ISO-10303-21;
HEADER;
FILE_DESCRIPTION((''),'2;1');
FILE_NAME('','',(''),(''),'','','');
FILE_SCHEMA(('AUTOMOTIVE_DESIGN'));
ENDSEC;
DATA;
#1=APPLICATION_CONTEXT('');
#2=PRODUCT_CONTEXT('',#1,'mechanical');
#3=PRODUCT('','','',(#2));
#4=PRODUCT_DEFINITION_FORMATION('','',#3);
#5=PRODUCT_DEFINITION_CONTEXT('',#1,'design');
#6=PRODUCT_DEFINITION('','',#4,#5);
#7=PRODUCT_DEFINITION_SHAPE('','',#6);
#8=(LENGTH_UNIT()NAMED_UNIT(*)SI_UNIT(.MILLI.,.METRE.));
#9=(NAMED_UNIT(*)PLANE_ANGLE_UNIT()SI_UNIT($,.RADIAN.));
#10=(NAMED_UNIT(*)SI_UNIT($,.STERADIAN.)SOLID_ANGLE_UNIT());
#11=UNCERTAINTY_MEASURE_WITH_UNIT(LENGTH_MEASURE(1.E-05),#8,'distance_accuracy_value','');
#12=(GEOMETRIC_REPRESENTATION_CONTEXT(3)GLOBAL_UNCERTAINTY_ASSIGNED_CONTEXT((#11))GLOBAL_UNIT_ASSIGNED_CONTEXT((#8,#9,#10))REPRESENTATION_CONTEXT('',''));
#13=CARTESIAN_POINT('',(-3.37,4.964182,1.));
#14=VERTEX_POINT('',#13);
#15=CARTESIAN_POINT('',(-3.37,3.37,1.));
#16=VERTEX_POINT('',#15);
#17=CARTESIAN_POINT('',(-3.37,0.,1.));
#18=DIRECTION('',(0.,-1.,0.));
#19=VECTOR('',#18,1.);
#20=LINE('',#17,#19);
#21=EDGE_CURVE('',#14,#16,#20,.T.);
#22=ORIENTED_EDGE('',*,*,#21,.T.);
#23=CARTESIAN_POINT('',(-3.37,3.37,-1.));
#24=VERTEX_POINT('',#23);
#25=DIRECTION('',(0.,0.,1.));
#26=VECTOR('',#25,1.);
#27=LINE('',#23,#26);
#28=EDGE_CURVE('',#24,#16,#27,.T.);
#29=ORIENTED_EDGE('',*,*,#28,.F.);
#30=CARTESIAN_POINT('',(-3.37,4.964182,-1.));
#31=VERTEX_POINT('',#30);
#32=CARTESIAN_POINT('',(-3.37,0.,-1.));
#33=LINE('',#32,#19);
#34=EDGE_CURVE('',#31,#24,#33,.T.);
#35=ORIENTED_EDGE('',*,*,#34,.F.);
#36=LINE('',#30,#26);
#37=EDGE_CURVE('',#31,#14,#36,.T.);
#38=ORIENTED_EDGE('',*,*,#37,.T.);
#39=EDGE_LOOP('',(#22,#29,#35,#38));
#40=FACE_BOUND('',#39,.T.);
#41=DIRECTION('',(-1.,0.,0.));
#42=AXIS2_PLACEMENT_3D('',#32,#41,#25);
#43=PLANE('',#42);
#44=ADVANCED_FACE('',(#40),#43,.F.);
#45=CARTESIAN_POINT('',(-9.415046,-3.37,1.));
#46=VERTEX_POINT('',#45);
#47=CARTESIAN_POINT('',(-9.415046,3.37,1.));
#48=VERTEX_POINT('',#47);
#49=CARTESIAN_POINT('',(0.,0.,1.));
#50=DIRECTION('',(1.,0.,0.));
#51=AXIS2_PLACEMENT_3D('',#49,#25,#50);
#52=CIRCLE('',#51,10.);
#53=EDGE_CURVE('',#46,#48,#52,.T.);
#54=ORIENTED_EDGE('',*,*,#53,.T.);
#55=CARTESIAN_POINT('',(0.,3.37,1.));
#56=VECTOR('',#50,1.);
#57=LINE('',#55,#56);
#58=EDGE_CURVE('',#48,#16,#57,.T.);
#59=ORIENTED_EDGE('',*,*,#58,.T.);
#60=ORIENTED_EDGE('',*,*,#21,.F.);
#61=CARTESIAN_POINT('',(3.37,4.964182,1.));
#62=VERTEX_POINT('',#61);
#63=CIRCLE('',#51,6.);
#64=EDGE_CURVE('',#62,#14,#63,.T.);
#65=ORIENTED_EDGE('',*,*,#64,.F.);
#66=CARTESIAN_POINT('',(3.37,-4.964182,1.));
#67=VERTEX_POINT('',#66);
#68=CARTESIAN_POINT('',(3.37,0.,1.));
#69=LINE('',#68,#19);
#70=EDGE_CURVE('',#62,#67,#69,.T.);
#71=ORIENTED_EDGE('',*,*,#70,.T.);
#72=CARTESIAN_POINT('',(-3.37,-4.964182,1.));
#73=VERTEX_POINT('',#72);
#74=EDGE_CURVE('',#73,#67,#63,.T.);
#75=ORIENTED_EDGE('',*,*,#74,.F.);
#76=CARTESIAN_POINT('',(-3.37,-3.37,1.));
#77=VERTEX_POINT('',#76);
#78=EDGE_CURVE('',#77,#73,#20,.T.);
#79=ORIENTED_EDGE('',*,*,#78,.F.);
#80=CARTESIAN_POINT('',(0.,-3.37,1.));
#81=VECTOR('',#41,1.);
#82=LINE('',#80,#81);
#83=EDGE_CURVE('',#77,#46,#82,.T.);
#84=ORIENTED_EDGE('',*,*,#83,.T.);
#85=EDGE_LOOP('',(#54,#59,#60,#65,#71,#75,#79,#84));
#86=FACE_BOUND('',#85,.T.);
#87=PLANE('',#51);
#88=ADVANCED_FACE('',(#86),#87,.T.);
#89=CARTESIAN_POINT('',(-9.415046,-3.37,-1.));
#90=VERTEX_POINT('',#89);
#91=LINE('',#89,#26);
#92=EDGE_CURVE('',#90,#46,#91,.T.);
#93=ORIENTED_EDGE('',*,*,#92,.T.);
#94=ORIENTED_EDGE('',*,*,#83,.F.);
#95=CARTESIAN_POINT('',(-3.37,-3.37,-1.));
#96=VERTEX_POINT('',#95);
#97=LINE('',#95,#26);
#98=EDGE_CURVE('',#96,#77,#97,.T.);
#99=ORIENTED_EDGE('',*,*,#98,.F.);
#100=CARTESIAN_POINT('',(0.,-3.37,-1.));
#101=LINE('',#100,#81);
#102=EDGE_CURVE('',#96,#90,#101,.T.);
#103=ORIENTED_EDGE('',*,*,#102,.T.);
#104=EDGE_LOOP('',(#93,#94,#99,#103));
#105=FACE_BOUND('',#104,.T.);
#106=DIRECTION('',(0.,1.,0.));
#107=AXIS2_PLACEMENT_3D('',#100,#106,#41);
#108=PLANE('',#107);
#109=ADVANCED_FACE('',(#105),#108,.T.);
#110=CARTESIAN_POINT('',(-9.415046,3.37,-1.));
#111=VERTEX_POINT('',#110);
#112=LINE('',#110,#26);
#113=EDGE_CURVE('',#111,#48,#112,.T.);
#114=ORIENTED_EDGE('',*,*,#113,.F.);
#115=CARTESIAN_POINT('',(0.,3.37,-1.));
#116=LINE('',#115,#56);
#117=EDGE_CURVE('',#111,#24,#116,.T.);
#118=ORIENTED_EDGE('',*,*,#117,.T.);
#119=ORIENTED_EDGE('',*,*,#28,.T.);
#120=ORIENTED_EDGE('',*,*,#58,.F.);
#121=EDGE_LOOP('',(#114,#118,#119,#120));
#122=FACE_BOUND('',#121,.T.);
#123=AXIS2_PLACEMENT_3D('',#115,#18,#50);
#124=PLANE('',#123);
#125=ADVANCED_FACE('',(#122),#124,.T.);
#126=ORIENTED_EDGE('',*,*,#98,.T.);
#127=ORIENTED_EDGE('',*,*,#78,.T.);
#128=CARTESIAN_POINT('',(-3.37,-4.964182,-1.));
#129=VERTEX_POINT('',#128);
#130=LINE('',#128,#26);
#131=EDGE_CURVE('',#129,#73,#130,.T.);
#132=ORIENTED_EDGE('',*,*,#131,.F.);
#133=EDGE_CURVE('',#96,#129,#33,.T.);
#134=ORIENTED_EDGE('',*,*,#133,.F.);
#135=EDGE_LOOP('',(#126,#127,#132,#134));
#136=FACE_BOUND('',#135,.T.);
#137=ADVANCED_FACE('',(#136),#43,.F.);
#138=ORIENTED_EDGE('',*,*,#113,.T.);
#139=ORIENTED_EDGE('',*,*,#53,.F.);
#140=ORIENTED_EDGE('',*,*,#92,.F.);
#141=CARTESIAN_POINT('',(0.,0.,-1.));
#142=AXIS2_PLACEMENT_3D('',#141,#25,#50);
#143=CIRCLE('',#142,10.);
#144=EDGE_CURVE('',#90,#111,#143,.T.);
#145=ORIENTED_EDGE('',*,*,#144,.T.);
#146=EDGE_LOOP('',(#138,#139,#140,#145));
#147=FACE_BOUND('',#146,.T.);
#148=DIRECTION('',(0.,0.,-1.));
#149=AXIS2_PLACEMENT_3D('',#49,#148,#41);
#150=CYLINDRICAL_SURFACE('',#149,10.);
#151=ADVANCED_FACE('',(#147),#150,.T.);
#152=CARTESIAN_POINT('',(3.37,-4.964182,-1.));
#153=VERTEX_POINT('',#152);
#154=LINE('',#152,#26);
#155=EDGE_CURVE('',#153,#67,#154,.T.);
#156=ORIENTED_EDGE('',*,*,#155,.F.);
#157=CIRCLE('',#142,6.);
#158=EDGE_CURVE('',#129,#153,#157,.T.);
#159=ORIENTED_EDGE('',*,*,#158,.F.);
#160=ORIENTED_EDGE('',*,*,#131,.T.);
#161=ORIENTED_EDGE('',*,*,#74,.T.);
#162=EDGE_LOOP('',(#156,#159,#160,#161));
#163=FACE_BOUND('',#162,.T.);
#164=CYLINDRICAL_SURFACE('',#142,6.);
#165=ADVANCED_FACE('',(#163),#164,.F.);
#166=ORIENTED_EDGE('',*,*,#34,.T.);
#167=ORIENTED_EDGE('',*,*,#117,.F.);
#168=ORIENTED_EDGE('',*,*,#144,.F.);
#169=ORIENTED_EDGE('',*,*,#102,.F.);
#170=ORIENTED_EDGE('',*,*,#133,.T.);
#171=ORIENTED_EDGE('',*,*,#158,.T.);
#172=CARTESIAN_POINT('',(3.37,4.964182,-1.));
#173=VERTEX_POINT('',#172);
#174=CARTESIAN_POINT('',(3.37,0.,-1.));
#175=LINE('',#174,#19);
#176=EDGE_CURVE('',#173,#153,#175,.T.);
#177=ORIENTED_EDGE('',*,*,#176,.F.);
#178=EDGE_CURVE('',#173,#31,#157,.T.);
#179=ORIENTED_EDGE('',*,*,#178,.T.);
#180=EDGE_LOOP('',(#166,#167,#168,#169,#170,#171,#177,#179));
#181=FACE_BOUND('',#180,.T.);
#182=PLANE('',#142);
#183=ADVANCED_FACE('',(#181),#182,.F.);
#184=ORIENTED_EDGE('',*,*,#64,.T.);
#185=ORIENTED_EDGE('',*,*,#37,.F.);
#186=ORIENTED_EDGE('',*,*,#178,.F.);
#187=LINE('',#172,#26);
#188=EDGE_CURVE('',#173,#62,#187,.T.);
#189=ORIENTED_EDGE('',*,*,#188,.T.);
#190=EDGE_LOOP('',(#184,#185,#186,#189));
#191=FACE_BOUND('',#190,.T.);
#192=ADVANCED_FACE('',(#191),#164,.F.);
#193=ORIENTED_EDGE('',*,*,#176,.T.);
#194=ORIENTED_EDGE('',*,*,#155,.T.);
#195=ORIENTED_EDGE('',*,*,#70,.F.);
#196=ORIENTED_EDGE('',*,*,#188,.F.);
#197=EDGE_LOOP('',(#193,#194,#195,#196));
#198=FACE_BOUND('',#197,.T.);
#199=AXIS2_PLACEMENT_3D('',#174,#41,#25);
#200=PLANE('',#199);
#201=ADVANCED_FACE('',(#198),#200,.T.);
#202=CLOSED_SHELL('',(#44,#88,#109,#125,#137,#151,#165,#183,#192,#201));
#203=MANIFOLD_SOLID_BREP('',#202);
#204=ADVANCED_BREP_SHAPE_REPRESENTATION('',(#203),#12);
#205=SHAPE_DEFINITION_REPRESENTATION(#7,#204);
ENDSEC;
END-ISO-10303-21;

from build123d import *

# Parameters (mm, degrees)
SCHIZZO1_R                   = 10
ESTRUSIONE_ESTRUSIONE1_DEPTH = 1
TAGLIO_ESTRUSIONE1_DEPTH     = 15.282856857


with BuildPart() as part:
    # Schizzo1 → Estrusione-Estrusione1 (new, symmetric)
    with BuildSketch(Plane.XY):
        Circle(SCHIZZO1_R)
    extrude(amount=ESTRUSIONE_ESTRUSIONE1_DEPTH, both=True)

    # Schizzo2 → Taglio-Estrusione1 (cut, through all)
    with BuildSketch(Plane.XY.offset(1)):
        with BuildLine():
            Line((-3.37, -3.37), (-3.37, 3.37))
            Line((-3.37, 3.37), (-9.415046468, 3.37))
            ThreePointArc((-9.415046468, 3.37), (-10, 0), (-9.415046468, -3.37))
            Line((-9.415046468, -3.37), (-3.37, -3.37))
        make_face()
        with BuildLine():
            Line((-3.37, 4.964181705), (-3.37, -4.964181705))
            ThreePointArc((-3.37, -4.964181705), (0, -6), (3.37, -4.964181705))
            Line((3.37, -4.964181705), (3.37, 4.964181705))
            ThreePointArc((3.37, 4.964181705), (0, 6), (-3.37, 4.964181705))
        make_face()
    extrude(amount=-TAGLIO_ESTRUSIONE1_DEPTH, mode=Mode.SUBTRACT)


solid = part.part
